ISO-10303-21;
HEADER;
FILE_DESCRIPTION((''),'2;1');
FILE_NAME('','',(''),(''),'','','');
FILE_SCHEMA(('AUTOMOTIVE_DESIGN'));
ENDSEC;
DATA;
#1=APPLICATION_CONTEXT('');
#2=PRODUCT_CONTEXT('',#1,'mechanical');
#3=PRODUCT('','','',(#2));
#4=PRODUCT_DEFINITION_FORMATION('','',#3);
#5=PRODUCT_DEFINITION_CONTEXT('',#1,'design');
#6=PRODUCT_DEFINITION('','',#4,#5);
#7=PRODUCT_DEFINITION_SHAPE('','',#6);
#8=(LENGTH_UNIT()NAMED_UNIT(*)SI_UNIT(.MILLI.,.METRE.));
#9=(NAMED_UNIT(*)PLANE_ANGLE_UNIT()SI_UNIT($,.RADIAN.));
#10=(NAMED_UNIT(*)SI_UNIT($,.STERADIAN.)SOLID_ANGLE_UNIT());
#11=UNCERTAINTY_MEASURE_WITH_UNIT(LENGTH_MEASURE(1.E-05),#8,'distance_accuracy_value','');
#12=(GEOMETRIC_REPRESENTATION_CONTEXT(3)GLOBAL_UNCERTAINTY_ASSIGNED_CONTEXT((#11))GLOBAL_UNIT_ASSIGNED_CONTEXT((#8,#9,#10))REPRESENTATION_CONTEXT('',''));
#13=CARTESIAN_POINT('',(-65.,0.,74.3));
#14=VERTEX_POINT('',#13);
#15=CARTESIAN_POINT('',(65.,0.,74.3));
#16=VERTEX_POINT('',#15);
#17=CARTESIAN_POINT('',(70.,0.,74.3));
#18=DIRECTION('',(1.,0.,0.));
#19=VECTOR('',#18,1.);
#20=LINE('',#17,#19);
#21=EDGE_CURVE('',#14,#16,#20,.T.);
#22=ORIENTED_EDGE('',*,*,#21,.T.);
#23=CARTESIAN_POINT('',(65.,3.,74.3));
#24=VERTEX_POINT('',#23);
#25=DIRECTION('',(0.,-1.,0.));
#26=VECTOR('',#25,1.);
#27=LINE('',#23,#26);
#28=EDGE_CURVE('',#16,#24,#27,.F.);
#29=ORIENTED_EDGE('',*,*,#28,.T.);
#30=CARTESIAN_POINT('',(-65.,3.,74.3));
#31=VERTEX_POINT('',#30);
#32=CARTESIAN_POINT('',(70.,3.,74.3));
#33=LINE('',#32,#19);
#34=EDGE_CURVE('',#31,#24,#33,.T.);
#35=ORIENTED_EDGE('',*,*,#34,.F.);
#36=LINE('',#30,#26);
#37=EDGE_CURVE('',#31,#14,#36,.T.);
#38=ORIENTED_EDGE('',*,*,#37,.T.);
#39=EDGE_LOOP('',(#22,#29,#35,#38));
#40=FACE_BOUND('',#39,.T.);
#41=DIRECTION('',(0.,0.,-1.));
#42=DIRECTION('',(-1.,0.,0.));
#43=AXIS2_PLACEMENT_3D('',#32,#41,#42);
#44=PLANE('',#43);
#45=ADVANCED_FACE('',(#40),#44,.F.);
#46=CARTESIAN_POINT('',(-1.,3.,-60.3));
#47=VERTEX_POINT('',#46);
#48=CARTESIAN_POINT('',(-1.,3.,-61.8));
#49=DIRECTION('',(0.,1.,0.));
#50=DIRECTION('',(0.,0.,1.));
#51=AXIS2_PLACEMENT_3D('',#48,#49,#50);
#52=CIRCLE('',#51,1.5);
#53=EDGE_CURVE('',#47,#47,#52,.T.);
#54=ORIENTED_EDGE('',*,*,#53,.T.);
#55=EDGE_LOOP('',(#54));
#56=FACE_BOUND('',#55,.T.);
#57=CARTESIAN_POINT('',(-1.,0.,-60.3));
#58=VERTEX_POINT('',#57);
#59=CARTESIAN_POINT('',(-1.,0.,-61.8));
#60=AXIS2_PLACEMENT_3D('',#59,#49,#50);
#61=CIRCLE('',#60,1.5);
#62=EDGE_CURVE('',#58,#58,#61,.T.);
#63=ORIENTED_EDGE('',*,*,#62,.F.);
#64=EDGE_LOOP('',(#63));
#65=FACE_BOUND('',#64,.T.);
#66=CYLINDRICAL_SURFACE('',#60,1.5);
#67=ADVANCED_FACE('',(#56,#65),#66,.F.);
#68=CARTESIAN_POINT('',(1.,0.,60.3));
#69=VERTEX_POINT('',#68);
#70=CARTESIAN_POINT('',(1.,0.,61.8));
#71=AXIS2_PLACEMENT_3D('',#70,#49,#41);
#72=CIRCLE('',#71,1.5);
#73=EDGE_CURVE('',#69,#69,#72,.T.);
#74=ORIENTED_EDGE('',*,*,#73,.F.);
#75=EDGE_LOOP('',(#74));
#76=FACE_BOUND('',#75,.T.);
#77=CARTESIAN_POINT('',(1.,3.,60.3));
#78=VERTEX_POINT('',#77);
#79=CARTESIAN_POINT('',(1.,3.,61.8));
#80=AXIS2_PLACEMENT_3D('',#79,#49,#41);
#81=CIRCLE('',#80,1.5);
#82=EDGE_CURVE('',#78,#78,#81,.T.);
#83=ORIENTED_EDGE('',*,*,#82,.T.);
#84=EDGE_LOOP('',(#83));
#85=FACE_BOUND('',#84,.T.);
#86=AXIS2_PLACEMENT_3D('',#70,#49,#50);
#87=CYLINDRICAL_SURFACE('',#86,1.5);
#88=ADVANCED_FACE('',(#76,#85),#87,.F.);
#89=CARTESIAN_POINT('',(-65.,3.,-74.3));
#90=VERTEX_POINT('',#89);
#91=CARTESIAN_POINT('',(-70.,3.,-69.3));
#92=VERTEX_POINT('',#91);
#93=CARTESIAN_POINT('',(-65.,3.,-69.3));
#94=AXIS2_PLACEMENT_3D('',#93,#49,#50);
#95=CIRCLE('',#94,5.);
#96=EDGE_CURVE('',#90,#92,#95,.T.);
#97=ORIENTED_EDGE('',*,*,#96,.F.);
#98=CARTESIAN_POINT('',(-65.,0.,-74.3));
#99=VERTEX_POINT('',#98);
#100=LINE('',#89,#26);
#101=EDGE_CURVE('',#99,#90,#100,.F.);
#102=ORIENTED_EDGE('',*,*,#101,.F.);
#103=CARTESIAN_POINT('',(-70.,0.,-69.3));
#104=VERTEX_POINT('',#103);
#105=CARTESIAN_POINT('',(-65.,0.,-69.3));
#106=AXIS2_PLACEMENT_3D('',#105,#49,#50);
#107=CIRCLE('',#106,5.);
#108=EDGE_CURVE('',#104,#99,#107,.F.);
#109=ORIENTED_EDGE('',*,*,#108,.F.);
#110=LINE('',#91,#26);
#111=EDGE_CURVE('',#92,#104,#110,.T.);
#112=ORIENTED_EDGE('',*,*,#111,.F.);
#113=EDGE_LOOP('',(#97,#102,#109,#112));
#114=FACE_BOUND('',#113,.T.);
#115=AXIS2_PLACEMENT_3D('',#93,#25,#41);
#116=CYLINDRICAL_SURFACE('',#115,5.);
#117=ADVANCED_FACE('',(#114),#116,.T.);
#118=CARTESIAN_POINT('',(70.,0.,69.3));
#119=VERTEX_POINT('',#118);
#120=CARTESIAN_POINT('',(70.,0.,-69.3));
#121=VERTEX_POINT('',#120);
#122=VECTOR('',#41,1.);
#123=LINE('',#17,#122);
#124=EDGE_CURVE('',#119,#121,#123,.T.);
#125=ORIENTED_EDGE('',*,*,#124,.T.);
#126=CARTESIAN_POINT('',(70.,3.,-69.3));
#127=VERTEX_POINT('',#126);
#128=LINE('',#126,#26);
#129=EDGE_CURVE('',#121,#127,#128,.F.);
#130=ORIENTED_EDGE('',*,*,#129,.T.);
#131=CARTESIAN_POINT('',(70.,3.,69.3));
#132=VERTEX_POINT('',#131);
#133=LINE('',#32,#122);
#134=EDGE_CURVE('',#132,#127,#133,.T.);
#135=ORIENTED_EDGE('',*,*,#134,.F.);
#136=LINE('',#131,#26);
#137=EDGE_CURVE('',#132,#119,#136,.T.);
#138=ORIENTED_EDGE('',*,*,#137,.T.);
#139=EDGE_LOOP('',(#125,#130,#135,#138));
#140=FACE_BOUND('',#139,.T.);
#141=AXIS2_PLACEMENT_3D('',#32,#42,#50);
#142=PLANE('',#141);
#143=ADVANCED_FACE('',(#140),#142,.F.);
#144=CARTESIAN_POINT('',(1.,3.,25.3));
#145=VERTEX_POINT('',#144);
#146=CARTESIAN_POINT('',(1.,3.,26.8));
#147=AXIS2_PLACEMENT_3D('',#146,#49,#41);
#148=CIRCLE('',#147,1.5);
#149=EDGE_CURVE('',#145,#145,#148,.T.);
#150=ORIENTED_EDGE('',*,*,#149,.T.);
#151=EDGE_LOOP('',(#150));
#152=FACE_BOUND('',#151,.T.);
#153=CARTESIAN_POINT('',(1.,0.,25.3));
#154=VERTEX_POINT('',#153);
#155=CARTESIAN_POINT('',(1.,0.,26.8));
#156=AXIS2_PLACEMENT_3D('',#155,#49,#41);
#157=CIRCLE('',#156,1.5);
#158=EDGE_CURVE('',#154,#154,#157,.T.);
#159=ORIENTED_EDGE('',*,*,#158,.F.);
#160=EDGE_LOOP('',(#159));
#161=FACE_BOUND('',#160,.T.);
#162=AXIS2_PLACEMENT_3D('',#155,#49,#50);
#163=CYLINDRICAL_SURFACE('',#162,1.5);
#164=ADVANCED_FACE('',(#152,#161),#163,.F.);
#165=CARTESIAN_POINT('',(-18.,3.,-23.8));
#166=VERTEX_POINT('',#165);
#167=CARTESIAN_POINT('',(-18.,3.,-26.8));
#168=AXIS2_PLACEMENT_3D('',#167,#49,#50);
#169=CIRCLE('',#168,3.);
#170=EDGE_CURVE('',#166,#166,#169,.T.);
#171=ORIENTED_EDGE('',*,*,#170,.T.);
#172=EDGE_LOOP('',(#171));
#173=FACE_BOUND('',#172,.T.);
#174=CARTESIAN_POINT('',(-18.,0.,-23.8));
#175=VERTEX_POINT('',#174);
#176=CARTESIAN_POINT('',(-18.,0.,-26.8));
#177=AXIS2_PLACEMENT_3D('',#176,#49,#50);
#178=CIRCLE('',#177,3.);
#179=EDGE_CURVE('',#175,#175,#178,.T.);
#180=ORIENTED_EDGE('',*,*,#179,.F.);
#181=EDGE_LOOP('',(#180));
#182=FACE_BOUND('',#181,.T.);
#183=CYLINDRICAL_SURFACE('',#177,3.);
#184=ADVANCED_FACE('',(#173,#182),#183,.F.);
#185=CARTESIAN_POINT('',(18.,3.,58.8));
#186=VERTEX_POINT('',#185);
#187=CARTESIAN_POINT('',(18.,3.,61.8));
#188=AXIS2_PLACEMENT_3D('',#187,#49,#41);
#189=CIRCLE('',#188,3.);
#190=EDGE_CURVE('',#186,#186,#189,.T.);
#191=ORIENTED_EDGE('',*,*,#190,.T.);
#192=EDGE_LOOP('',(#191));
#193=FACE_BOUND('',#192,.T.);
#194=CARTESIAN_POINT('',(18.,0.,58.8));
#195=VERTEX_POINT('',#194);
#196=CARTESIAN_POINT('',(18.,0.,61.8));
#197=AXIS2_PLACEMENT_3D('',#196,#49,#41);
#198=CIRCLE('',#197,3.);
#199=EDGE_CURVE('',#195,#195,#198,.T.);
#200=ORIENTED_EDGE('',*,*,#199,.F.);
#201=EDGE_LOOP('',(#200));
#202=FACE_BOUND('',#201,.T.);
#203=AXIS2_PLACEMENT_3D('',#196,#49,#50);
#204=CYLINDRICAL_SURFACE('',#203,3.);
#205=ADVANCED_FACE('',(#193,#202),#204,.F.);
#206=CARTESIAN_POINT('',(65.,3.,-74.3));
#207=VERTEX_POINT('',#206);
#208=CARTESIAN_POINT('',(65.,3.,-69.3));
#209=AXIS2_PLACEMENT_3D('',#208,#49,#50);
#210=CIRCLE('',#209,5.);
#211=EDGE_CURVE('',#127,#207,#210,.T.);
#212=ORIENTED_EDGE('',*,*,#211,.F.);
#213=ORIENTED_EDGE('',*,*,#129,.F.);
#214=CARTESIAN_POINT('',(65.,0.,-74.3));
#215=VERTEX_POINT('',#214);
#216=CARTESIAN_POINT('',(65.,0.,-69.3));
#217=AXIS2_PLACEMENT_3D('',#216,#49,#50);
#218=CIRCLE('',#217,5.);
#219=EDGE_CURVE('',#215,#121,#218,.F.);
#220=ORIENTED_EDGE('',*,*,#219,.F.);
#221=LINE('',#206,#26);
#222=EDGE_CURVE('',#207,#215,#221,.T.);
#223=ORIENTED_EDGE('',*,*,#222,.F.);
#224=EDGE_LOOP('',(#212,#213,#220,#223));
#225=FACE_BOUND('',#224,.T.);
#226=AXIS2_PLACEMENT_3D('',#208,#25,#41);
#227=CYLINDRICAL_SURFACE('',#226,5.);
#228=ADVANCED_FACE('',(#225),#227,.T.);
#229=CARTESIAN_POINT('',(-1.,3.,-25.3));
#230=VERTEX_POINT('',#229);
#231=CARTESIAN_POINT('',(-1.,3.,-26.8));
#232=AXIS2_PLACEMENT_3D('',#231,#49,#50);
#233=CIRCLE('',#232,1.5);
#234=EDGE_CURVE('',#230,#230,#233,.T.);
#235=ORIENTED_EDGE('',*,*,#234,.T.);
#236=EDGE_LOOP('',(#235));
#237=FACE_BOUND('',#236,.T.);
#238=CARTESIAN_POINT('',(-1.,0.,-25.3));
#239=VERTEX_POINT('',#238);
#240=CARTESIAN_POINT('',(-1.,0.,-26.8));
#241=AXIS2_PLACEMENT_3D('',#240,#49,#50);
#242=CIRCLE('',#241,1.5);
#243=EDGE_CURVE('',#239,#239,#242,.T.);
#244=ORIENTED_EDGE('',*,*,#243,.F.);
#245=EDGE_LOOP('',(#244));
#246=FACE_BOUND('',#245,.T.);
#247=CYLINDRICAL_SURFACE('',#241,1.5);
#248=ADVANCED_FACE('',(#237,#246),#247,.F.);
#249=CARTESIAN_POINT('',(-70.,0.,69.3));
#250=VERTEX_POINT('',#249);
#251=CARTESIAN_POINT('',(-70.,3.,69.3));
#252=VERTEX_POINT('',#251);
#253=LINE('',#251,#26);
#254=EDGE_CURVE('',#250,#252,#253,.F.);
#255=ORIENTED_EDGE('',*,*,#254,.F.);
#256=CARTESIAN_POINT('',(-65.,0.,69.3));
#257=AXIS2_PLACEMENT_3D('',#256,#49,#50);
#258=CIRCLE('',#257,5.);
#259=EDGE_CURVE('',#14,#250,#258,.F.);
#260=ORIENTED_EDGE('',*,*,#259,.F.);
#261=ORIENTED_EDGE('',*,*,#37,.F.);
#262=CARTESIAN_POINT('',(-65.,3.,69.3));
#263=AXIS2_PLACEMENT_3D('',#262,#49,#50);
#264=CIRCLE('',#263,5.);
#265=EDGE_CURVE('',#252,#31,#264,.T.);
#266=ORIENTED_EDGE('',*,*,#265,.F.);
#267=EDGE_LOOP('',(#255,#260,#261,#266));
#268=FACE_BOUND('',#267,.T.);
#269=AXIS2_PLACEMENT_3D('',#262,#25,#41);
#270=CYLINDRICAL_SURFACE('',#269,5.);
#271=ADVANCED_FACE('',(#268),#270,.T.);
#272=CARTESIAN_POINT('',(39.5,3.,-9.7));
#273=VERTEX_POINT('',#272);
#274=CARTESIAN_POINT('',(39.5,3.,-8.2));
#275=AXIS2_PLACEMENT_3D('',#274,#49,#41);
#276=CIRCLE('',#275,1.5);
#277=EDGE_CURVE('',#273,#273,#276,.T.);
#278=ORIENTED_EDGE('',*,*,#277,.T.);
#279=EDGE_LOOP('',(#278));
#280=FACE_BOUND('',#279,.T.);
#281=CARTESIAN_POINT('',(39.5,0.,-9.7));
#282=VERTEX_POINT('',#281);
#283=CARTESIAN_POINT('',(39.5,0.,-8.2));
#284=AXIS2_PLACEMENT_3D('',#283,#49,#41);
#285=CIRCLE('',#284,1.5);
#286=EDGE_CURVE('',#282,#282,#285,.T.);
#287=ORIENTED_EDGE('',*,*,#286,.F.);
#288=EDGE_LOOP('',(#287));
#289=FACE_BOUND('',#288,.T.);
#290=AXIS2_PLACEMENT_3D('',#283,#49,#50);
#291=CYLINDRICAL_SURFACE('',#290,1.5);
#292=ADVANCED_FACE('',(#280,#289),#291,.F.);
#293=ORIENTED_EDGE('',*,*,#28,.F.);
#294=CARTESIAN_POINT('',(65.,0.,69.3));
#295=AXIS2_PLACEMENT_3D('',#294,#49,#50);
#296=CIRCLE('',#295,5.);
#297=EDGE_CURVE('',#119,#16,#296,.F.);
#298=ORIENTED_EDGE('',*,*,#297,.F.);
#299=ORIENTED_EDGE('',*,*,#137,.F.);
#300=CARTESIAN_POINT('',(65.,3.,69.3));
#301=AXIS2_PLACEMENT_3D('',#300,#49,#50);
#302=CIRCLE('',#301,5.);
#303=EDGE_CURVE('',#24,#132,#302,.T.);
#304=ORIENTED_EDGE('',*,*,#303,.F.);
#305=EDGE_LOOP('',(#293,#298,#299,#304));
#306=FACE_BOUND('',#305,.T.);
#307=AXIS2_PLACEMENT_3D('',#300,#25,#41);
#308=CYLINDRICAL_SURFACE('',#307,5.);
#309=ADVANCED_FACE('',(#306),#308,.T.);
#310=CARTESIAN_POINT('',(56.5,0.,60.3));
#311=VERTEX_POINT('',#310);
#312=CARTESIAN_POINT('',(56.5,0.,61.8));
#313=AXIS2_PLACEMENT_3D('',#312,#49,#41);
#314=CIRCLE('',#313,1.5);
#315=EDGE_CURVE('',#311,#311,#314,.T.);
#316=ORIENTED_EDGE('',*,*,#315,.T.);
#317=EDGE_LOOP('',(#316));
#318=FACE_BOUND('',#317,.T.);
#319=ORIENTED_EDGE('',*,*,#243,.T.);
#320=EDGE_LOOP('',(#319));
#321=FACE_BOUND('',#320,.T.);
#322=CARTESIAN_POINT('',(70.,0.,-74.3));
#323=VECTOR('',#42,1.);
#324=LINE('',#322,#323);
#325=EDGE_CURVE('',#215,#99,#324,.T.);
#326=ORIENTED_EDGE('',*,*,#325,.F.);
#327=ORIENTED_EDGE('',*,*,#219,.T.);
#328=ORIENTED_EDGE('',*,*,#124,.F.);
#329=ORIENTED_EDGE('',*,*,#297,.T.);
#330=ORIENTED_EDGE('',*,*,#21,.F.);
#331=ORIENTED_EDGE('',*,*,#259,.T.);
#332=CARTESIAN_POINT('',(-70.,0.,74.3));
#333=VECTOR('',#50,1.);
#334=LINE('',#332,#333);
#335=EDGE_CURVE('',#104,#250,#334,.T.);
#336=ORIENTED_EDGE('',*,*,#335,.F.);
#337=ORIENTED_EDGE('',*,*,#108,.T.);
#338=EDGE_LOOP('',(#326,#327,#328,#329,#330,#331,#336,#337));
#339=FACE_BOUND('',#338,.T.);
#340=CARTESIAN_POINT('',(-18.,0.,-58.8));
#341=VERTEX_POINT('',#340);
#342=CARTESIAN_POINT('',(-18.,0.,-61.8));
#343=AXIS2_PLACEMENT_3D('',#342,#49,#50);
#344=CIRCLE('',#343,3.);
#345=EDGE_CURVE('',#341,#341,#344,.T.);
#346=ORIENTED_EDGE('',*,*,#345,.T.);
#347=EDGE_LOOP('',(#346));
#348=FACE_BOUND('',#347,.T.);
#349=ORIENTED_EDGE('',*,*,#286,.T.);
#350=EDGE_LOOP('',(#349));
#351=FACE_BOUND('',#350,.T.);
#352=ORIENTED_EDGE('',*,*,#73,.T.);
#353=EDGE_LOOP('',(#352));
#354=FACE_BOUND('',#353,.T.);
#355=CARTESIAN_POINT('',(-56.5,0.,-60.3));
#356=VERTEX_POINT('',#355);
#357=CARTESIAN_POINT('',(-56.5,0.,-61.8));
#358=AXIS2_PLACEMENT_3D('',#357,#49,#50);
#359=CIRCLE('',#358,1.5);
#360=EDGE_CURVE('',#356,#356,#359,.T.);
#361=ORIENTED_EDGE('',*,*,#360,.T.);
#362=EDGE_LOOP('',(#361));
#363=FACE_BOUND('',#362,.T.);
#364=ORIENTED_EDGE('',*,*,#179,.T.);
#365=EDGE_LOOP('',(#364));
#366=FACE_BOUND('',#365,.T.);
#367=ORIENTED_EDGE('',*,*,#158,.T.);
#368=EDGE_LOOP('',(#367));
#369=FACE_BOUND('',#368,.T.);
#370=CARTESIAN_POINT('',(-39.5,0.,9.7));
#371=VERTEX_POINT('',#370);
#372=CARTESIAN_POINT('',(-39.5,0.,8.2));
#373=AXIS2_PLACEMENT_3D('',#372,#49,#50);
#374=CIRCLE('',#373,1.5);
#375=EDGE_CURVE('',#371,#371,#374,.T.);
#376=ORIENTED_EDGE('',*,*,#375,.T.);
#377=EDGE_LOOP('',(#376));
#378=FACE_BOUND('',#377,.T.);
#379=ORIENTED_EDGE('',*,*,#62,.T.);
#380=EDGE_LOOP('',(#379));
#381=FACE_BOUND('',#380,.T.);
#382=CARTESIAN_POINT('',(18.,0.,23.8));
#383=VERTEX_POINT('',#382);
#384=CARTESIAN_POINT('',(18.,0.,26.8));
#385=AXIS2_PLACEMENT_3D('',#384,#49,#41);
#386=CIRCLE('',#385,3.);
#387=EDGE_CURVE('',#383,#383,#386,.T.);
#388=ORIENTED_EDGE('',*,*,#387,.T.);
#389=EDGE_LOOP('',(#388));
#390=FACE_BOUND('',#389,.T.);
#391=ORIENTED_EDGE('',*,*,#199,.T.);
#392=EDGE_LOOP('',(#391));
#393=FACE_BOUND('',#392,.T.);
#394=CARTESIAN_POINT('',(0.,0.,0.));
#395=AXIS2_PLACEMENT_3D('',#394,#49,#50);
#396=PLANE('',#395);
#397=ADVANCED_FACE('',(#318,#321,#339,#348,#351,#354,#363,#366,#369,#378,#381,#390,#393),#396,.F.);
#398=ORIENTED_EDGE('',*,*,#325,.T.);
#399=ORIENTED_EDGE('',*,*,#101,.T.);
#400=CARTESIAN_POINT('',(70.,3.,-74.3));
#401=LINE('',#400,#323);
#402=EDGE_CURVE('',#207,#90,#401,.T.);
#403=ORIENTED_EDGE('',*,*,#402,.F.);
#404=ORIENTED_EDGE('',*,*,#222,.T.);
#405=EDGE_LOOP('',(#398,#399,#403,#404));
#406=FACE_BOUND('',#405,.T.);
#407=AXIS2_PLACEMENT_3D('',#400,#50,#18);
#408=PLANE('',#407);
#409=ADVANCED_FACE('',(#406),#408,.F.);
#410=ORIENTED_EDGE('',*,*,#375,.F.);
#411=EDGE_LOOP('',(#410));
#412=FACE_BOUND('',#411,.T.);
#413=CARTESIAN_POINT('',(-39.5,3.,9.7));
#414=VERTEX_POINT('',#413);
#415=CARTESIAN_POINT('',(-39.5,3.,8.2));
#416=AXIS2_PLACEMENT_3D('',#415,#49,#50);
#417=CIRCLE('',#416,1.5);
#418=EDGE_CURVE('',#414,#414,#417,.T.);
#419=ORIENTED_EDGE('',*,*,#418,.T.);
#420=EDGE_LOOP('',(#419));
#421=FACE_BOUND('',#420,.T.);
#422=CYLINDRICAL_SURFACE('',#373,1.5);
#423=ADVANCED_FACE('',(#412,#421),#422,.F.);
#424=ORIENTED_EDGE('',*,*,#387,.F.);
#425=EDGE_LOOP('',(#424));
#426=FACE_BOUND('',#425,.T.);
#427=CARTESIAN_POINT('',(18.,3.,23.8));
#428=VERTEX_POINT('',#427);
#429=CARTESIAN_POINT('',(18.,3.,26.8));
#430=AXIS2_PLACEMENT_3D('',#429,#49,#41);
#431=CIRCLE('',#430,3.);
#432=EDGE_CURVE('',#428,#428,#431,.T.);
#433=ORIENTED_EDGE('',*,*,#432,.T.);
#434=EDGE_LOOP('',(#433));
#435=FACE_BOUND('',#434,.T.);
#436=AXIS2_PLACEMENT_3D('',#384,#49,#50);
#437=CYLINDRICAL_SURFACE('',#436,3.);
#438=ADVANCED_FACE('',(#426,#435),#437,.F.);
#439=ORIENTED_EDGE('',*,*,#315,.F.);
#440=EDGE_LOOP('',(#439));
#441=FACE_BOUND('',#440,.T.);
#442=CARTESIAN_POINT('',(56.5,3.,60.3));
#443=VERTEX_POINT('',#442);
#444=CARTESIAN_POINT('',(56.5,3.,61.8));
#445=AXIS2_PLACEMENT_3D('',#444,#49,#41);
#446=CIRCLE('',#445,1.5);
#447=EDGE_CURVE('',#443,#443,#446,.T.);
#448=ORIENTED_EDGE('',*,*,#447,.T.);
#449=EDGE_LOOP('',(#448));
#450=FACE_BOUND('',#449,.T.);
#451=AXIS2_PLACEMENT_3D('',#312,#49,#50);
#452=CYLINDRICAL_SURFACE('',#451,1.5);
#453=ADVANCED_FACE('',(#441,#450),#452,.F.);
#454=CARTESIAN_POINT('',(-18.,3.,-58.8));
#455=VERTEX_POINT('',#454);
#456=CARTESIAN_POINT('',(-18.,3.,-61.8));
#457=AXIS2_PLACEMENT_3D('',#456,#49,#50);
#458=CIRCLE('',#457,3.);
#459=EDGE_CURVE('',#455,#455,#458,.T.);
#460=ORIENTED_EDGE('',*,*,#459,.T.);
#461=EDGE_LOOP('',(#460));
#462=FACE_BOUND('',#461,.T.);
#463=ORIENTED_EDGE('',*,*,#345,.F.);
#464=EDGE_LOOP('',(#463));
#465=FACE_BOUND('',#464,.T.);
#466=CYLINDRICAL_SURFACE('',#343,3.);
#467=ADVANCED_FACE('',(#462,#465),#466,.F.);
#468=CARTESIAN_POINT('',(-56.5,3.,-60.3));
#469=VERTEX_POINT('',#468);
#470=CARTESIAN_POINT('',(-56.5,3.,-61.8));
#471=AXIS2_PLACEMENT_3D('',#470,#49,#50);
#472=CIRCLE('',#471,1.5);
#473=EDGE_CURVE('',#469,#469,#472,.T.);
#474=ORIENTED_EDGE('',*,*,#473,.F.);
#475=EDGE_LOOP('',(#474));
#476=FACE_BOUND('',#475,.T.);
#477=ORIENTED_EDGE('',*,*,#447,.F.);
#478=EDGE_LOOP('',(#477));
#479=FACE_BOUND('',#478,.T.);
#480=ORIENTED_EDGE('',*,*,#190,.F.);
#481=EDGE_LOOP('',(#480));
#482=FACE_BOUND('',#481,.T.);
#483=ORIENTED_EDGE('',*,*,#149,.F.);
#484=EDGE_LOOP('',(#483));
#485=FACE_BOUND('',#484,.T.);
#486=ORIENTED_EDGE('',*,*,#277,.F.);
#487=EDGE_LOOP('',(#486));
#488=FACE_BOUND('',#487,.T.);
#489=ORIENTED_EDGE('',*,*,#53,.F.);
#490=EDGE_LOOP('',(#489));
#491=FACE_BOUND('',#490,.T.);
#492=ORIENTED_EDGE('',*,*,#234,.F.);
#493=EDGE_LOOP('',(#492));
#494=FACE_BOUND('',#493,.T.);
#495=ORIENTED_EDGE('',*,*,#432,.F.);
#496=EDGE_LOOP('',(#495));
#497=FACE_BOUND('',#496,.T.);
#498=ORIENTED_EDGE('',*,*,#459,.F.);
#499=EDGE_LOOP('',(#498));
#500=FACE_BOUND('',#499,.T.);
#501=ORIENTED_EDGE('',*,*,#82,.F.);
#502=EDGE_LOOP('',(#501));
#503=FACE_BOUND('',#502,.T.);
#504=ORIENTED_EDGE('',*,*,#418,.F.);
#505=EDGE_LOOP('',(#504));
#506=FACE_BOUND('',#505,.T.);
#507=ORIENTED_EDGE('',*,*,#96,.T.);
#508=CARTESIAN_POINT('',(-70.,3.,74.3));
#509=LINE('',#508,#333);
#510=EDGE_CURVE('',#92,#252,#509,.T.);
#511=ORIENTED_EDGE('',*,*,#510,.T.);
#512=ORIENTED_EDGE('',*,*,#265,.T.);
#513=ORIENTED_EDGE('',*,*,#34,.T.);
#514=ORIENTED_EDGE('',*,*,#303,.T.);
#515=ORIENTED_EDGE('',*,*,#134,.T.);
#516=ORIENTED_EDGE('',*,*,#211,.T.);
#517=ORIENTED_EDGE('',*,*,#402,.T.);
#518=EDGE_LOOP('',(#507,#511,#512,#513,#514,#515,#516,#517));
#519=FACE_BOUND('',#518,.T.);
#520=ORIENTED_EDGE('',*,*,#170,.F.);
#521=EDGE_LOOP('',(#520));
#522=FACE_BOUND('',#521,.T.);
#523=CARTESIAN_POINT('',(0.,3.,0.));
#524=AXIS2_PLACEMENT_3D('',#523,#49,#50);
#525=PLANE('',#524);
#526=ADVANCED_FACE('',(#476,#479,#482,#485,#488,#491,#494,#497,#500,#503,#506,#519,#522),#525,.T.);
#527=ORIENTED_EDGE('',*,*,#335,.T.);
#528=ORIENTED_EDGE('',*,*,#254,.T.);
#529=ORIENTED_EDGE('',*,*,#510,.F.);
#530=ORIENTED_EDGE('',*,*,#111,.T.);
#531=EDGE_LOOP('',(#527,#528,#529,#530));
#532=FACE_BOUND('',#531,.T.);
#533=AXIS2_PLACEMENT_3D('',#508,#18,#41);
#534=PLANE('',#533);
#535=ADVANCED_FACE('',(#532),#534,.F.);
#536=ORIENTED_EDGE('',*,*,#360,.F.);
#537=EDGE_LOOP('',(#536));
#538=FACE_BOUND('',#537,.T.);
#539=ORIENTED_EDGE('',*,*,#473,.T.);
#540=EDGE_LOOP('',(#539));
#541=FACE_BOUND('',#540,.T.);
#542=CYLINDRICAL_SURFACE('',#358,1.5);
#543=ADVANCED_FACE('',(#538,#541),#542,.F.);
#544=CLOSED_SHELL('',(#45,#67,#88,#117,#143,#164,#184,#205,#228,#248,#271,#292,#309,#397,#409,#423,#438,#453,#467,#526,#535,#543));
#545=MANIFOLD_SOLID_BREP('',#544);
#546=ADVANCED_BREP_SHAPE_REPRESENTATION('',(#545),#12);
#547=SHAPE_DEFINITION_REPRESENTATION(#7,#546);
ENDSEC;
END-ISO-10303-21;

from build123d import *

# Parameters (mm, degrees)
SKETCH1_W           = 140
SKETCH1_H           = 148.6
BOSS_EXTRUDE1_DEPTH = 3
SKETCH2_R           = 3
SKETCH2_R_2         = 1.5
CUT_EXTRUDE1_DEPTH  = 103.124874541
FILLET1_R           = 5
CIRPATTERN1_COUNT   = 2


with BuildPart() as part:
    # Sketch1 → Boss-Extrude1 (new body)
    with BuildSketch(Plane(origin=(0, 0, 0), x_dir=(1, 0, 0), z_dir=(0, 1, 0))):
        Rectangle(SKETCH1_W, SKETCH1_H)
    extrude(amount=BOSS_EXTRUDE1_DEPTH)

    # Sketch2 → Cut-Extrude1 (cut, through all)
    with BuildSketch(Plane(origin=(0, 3, 0), x_dir=(1, 0, 0), z_dir=(0, 1, 0))):
        with Locations((-18, 26.8)):
            Circle(SKETCH2_R)
        with Locations((-18, 61.8)):
            Circle(SKETCH2_R)
        with Locations((-1, 61.8)):
            Circle(SKETCH2_R_2)
        with Locations((-1, 26.8)):
            Circle(SKETCH2_R_2)
        with Locations((-56.5, 61.8)):
            Circle(SKETCH2_R_2)
        with Locations((-39.5, -8.2)):
            Circle(SKETCH2_R_2)
    cut_extrude1 = extrude(amount=-CUT_EXTRUDE1_DEPTH, mode=Mode.SUBTRACT)

    # Fillet1
    fillet1_edges = [part.edges().sort_by_distance(p)[0] for p in [
        (-70, 1.5, -74.3),
        (70, 1.5, -74.3),
        (70, 1.5, 74.3),
        (-70, 1.5, 74.3),
    ]]
    fillet(fillet1_edges, radius=FILLET1_R)

    # CirPattern1: Cut-Extrude1 ×2 about axis
    cirpattern1_axis = Axis((0, -0.15, 0), (0, 1, 0))
    for i in range(1, CIRPATTERN1_COUNT):
        add(cut_extrude1.rotate(cirpattern1_axis, i * 360 / CIRPATTERN1_COUNT), mode=Mode.SUBTRACT)


solid = part.part
